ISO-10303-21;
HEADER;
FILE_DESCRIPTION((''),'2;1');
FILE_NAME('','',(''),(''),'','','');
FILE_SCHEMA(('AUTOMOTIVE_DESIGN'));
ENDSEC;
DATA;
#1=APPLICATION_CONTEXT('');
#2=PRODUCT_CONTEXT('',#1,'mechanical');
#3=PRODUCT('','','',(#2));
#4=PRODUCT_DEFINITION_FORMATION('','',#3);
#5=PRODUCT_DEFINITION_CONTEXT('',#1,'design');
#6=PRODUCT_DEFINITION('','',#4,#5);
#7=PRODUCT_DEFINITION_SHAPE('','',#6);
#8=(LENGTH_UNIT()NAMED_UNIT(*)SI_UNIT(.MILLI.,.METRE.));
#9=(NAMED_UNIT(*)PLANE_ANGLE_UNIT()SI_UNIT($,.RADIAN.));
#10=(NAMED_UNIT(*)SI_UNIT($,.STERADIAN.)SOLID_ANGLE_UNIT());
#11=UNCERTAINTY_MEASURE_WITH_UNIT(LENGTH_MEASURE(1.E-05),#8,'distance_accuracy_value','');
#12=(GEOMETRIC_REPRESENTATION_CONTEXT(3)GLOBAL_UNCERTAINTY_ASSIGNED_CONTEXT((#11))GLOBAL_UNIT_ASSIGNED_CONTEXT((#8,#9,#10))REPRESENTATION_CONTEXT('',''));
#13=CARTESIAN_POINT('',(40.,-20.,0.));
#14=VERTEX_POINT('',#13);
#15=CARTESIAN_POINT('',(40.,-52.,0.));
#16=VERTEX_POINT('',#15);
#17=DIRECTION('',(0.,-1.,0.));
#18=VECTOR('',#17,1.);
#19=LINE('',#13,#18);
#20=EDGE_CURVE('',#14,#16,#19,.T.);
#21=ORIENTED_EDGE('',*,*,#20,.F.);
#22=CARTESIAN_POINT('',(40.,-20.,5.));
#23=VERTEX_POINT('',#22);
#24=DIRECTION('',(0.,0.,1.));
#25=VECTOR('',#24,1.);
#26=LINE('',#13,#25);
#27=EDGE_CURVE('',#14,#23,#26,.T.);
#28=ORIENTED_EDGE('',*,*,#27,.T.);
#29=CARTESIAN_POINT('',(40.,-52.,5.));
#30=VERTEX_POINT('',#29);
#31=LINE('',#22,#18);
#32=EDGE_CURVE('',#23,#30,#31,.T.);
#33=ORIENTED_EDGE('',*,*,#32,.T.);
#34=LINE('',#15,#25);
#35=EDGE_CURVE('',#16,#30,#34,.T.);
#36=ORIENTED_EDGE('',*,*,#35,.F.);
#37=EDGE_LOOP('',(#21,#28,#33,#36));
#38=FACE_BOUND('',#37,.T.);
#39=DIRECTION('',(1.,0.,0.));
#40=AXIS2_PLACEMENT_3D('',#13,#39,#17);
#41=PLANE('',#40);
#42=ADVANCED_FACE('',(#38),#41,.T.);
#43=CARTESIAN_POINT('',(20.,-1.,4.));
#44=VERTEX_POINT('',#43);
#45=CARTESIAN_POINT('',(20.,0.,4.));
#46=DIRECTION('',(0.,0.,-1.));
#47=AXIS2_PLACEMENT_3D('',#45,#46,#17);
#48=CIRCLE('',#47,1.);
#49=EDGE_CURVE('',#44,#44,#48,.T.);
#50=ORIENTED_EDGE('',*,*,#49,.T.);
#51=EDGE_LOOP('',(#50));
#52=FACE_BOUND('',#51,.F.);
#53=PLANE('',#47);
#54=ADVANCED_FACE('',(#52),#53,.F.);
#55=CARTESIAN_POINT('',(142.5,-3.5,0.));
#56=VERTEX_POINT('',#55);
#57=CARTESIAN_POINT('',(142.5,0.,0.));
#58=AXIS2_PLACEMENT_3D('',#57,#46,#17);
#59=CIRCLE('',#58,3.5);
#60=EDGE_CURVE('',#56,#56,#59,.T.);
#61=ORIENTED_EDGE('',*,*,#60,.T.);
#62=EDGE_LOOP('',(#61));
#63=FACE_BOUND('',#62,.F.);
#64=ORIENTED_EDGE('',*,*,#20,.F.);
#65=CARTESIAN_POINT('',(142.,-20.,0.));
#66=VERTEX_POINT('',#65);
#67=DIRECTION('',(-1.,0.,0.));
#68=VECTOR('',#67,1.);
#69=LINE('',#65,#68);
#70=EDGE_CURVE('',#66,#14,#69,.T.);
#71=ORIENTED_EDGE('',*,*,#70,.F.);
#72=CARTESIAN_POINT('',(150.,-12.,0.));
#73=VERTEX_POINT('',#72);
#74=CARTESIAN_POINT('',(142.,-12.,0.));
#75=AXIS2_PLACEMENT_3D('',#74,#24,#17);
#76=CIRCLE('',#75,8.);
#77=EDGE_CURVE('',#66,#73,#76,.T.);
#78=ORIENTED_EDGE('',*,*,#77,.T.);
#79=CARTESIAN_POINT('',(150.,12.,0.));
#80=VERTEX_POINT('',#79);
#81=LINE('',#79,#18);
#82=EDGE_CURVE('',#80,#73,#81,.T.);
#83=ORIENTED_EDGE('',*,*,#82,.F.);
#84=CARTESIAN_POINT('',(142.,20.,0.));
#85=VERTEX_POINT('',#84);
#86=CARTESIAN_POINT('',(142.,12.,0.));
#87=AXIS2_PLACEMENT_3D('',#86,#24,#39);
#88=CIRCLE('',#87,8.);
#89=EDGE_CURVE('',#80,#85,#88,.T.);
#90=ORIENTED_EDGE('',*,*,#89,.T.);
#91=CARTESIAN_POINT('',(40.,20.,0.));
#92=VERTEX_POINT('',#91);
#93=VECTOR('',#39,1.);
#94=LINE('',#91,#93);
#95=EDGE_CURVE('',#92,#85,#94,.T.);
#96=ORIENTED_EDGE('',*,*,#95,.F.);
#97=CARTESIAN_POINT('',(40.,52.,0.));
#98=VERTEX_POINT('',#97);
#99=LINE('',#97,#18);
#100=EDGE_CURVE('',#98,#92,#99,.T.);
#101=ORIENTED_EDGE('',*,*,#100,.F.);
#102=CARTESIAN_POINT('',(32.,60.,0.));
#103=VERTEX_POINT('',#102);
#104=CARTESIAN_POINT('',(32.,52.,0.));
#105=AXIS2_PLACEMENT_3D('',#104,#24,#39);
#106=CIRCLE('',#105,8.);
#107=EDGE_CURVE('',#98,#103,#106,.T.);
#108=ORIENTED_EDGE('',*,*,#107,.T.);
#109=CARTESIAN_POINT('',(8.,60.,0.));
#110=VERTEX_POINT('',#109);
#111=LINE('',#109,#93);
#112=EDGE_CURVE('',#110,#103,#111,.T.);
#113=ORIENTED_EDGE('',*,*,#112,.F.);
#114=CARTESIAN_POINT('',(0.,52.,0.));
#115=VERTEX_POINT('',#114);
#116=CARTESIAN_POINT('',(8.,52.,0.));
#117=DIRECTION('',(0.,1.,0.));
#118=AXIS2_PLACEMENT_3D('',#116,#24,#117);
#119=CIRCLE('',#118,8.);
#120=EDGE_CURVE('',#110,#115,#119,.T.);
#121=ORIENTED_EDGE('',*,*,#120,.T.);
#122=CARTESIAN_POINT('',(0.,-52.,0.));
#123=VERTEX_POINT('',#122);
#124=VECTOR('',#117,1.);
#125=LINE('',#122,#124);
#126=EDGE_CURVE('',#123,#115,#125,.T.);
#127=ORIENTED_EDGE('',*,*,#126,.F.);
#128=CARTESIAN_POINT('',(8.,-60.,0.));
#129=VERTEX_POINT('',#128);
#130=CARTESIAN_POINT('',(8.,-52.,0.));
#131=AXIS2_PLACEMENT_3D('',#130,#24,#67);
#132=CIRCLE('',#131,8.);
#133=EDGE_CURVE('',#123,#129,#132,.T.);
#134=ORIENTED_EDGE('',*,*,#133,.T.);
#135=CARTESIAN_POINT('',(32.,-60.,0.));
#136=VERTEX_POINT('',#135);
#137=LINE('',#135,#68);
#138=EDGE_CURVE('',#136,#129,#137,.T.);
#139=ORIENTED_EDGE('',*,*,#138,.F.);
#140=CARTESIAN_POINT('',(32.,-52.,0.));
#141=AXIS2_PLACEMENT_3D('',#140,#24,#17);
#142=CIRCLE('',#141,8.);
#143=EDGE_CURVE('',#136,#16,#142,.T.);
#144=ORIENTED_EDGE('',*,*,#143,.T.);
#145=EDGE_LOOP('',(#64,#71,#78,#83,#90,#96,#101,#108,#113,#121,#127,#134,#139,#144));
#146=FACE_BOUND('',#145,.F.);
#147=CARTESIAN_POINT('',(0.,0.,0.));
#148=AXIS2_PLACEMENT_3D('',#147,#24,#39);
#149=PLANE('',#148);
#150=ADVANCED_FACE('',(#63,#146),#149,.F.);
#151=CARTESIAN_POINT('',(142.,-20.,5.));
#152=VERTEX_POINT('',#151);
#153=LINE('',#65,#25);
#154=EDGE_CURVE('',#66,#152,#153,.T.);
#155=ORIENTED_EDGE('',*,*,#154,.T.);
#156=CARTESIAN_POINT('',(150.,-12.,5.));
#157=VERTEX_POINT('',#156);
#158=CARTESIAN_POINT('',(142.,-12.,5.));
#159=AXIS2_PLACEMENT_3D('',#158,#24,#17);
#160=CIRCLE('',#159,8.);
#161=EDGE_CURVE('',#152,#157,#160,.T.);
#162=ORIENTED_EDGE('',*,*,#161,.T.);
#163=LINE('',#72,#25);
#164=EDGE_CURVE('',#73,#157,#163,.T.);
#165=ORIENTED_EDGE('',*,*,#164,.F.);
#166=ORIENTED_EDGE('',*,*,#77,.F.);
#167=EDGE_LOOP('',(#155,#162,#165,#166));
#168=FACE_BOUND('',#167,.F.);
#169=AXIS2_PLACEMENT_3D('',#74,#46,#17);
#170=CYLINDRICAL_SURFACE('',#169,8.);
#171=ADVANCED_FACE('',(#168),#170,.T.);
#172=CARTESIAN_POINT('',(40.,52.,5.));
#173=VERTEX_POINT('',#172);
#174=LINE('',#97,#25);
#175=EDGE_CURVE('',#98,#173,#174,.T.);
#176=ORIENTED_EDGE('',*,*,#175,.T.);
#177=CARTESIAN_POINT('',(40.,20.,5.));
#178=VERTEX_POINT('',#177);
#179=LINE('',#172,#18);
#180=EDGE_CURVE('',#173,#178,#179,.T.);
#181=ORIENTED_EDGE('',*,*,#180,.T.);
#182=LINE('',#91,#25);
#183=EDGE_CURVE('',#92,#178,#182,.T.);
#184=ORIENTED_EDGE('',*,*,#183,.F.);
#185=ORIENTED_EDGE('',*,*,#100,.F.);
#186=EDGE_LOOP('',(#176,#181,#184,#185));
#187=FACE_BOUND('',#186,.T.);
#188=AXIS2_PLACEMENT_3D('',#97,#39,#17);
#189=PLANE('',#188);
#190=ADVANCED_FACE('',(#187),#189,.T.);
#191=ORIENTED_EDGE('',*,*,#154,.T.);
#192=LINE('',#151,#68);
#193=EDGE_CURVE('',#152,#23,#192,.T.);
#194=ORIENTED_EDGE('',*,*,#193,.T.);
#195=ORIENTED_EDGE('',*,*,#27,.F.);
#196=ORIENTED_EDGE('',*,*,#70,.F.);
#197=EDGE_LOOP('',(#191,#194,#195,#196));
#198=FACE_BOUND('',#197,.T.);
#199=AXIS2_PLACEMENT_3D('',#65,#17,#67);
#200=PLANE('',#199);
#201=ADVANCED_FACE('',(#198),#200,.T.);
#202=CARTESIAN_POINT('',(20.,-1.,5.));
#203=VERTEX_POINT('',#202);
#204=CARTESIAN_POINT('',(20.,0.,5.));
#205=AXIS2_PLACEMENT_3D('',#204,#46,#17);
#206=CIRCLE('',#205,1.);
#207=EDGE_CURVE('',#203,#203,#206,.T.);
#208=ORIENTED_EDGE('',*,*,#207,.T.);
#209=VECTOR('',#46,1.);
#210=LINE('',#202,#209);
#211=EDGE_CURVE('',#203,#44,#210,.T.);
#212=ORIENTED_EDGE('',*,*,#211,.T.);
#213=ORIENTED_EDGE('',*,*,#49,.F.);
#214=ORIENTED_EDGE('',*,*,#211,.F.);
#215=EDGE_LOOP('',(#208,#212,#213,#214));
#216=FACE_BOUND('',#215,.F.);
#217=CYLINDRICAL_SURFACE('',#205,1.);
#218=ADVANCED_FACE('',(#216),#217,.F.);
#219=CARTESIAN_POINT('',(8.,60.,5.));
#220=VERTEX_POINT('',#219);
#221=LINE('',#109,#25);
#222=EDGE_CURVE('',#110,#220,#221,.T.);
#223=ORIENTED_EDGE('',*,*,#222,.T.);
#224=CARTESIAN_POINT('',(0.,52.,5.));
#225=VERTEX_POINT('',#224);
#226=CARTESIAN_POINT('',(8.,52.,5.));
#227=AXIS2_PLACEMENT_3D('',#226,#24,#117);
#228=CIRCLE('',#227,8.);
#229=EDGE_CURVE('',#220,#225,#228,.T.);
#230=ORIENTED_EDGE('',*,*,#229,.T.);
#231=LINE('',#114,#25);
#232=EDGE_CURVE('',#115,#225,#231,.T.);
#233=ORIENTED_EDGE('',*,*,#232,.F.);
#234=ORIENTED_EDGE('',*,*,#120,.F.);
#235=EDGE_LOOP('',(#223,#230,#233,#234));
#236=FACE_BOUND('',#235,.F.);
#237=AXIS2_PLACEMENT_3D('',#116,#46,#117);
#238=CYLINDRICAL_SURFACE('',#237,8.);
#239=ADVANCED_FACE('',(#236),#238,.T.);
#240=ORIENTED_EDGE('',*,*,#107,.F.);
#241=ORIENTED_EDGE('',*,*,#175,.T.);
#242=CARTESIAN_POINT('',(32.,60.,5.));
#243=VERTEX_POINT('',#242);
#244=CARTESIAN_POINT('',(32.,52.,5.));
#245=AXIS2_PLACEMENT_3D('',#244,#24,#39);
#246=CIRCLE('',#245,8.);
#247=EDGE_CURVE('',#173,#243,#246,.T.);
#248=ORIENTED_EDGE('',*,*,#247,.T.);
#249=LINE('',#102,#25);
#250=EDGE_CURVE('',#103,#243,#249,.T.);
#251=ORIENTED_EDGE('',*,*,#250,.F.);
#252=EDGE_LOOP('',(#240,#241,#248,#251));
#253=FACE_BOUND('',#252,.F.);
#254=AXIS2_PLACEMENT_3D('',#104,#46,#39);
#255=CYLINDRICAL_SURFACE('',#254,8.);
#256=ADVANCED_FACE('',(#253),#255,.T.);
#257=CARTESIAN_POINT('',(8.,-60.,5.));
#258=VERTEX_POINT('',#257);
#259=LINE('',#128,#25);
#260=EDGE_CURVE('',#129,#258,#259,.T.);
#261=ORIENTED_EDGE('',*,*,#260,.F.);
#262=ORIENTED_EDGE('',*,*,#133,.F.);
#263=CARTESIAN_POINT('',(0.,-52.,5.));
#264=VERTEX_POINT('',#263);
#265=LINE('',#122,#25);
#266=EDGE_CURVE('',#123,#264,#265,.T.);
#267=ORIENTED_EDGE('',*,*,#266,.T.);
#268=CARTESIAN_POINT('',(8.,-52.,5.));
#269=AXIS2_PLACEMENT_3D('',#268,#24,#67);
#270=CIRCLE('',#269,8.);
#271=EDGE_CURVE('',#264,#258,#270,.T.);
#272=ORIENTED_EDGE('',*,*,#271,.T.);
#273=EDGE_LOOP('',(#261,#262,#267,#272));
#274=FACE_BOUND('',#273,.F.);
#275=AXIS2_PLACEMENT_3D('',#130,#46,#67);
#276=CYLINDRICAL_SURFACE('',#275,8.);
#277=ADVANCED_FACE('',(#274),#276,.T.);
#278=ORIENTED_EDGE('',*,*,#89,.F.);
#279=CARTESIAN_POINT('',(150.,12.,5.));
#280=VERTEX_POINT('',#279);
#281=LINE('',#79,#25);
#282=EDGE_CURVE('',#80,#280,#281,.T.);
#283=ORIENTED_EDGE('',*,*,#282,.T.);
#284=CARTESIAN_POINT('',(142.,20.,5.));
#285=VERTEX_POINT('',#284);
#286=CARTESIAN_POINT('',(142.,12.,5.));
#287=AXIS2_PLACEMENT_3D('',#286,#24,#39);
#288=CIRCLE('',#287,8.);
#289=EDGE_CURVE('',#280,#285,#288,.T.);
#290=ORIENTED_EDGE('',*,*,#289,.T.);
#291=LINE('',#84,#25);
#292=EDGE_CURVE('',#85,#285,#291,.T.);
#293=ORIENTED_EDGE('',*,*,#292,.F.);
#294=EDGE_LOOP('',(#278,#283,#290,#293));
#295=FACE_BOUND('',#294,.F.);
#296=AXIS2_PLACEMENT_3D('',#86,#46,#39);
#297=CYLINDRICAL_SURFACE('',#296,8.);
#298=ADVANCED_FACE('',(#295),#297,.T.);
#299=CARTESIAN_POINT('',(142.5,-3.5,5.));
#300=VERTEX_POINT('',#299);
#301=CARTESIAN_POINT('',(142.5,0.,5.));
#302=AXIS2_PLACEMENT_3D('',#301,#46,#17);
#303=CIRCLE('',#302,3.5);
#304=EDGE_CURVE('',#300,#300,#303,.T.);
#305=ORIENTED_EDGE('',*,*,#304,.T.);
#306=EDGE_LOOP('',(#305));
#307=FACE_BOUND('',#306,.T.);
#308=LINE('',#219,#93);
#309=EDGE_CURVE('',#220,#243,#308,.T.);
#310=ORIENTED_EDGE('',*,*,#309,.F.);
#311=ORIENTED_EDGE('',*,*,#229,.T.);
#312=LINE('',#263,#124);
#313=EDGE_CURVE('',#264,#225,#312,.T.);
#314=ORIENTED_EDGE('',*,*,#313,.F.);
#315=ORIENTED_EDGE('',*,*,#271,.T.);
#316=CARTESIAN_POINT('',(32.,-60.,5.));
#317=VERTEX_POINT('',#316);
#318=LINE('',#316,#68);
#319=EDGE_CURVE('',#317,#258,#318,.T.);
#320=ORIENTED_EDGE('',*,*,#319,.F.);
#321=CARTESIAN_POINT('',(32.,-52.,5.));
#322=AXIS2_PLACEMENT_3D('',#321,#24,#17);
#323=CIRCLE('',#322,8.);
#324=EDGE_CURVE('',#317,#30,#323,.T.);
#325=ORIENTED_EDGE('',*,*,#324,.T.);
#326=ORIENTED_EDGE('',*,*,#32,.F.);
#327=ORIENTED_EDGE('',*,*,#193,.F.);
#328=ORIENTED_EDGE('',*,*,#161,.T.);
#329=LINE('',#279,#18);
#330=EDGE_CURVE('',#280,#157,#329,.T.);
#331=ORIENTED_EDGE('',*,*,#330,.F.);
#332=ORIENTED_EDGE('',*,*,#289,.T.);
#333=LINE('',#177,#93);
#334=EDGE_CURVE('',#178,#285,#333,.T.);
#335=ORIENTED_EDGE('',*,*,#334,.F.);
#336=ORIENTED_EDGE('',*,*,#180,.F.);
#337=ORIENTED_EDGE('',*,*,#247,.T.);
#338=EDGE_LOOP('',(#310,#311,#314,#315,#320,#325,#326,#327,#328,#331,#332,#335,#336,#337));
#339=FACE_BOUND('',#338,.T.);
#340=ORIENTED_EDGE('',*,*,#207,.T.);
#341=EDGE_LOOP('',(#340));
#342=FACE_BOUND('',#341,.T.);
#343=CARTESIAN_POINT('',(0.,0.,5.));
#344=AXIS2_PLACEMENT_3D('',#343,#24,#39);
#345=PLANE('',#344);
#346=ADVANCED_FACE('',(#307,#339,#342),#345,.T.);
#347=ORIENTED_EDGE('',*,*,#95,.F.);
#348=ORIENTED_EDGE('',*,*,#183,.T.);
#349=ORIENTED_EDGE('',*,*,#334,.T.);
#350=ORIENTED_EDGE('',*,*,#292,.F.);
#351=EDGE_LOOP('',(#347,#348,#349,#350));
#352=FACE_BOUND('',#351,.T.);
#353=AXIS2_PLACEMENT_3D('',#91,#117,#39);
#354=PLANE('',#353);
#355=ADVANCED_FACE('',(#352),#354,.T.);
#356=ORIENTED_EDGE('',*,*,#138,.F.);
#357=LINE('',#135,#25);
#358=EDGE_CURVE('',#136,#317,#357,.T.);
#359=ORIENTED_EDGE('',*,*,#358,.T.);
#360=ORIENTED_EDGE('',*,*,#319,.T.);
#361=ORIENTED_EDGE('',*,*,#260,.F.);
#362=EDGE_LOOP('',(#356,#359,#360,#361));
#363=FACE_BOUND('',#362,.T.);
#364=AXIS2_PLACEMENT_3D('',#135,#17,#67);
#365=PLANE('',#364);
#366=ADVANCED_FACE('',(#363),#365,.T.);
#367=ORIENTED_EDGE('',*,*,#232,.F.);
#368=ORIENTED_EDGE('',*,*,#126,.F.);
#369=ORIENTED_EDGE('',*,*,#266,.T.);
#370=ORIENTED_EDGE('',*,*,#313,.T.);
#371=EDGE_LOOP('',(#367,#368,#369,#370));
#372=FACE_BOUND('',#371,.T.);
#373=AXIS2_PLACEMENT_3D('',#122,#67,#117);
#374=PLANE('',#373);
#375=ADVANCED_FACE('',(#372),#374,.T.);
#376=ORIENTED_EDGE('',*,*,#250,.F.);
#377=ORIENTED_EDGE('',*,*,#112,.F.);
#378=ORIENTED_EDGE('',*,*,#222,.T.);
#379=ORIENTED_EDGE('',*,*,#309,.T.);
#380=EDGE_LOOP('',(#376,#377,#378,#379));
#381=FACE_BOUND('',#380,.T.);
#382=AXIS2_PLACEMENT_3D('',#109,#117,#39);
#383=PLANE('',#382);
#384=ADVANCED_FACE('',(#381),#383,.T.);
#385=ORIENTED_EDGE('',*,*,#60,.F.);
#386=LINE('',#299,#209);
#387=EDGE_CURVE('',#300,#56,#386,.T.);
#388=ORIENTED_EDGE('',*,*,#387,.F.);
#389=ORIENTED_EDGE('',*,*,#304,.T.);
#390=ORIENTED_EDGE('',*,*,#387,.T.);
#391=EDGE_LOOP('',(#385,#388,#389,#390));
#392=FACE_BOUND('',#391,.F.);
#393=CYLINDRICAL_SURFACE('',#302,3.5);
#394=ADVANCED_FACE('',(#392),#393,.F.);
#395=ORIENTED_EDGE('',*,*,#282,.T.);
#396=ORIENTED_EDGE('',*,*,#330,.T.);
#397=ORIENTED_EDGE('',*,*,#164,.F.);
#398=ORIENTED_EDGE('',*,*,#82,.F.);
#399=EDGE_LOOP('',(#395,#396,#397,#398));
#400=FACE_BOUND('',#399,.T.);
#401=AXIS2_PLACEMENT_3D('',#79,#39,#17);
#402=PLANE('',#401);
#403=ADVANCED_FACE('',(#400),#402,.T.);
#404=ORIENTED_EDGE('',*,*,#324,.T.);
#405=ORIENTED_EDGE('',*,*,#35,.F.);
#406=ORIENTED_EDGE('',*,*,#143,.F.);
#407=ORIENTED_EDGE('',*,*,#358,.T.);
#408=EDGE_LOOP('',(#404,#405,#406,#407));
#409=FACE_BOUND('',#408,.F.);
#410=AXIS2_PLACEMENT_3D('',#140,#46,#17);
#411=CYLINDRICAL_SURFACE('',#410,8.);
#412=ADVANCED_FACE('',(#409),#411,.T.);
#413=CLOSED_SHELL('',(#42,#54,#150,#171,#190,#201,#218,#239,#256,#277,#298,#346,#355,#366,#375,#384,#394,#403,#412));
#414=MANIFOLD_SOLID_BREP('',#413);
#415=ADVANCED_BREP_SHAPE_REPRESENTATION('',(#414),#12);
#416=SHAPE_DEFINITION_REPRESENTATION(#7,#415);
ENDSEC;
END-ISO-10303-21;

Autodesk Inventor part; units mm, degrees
ref_plane "YZ Plane" through (0, 0, 0) normal (1, 0, 0) x (0, 1, 0)
ref_plane "XZ Plane" through (0, 0, 0) normal (0, 1, 0) x (-1, 0, 0)
ref_plane "XY Plane" through (0, 0, 0) normal (0, 0, 1) x (1, 0, 0)
sketch "Sketch1" plane through (0, 0, 0) normal (0, 0, 1) x (1, 0, 0)
  line L0 (8, 60) -> (32, 60)
  line L1 (32, -60) -> (8, -60)
  line L2 (0, -52) -> (0, 52)
  line L3 (40, 20) -> (142, 20)
  line L4 (150, 12) -> (150, -12)
  line L5 (142, -20) -> (40, -20)
  line L6 (40, 52) -> (40, 20)
  line L7 (40, -20) -> (40, -52)
  line L8 (0, 0) -> (150, 0) construction
  arc A0 (8, 60) -> (0, 52) centre (8, 52) ccw
  arc A1 (0, -52) -> (8, -60) centre (8, -52) ccw
  arc A2 (40, 52) -> (32, 60) centre (32, 52) ccw
  arc A3 (142, -20) -> (150, -12) centre (142, -12) ccw
  arc A4 (150, 12) -> (142, 20) centre (142, 12) ccw
  arc A5 (32, -60) -> (40, -52) centre (32, -52) ccw
  point P0 (0, 0)
  point P1 (40, -60)
  point P2 (0, -60)
  point P3 (150, -20)
  point P4 (150, 20)
  dimension "d0" = 40
  dimension "d1" = 40
  dimension "d2" = 150
  dimension "d3" = 8
  dimension "d4" = 8
  dimension "d5" = 120
extrude "Extrusion1" add sketch "Sketch1" along normal blind 5
sketch "Sketch2" plane through (0, 0, 5) normal (0, 0, 1) x (1, 0, 0)
  line L0 (150, -12) -> (150, 12) projected
  line L1 (40, -20) -> (142, -20) projected
  point P0 (0, 0)
  point P1 (142.5, 0)
  dimension "d8" = 7.5
  dimension "d9" = 20
hole "Hole1" at (142.5, 0, 5) direction (0, 0, -1) diameter 7 end through all
sketch "Sketch3" plane through (0, 0, 5) normal (0, 0, 1) x (1, 0, 0)
  line L0 (0, 52) -> (0, -52) projected
  point P0 (0, 0)
  point P1 (20, 0)
  dimension "d17" = 20
hole "Hole2" at (20, 0, 5) direction (0, 0, -1) diameter 2 depth 1
properties part number "PistonBC" material "MDF Medium Density Fiberboard"
